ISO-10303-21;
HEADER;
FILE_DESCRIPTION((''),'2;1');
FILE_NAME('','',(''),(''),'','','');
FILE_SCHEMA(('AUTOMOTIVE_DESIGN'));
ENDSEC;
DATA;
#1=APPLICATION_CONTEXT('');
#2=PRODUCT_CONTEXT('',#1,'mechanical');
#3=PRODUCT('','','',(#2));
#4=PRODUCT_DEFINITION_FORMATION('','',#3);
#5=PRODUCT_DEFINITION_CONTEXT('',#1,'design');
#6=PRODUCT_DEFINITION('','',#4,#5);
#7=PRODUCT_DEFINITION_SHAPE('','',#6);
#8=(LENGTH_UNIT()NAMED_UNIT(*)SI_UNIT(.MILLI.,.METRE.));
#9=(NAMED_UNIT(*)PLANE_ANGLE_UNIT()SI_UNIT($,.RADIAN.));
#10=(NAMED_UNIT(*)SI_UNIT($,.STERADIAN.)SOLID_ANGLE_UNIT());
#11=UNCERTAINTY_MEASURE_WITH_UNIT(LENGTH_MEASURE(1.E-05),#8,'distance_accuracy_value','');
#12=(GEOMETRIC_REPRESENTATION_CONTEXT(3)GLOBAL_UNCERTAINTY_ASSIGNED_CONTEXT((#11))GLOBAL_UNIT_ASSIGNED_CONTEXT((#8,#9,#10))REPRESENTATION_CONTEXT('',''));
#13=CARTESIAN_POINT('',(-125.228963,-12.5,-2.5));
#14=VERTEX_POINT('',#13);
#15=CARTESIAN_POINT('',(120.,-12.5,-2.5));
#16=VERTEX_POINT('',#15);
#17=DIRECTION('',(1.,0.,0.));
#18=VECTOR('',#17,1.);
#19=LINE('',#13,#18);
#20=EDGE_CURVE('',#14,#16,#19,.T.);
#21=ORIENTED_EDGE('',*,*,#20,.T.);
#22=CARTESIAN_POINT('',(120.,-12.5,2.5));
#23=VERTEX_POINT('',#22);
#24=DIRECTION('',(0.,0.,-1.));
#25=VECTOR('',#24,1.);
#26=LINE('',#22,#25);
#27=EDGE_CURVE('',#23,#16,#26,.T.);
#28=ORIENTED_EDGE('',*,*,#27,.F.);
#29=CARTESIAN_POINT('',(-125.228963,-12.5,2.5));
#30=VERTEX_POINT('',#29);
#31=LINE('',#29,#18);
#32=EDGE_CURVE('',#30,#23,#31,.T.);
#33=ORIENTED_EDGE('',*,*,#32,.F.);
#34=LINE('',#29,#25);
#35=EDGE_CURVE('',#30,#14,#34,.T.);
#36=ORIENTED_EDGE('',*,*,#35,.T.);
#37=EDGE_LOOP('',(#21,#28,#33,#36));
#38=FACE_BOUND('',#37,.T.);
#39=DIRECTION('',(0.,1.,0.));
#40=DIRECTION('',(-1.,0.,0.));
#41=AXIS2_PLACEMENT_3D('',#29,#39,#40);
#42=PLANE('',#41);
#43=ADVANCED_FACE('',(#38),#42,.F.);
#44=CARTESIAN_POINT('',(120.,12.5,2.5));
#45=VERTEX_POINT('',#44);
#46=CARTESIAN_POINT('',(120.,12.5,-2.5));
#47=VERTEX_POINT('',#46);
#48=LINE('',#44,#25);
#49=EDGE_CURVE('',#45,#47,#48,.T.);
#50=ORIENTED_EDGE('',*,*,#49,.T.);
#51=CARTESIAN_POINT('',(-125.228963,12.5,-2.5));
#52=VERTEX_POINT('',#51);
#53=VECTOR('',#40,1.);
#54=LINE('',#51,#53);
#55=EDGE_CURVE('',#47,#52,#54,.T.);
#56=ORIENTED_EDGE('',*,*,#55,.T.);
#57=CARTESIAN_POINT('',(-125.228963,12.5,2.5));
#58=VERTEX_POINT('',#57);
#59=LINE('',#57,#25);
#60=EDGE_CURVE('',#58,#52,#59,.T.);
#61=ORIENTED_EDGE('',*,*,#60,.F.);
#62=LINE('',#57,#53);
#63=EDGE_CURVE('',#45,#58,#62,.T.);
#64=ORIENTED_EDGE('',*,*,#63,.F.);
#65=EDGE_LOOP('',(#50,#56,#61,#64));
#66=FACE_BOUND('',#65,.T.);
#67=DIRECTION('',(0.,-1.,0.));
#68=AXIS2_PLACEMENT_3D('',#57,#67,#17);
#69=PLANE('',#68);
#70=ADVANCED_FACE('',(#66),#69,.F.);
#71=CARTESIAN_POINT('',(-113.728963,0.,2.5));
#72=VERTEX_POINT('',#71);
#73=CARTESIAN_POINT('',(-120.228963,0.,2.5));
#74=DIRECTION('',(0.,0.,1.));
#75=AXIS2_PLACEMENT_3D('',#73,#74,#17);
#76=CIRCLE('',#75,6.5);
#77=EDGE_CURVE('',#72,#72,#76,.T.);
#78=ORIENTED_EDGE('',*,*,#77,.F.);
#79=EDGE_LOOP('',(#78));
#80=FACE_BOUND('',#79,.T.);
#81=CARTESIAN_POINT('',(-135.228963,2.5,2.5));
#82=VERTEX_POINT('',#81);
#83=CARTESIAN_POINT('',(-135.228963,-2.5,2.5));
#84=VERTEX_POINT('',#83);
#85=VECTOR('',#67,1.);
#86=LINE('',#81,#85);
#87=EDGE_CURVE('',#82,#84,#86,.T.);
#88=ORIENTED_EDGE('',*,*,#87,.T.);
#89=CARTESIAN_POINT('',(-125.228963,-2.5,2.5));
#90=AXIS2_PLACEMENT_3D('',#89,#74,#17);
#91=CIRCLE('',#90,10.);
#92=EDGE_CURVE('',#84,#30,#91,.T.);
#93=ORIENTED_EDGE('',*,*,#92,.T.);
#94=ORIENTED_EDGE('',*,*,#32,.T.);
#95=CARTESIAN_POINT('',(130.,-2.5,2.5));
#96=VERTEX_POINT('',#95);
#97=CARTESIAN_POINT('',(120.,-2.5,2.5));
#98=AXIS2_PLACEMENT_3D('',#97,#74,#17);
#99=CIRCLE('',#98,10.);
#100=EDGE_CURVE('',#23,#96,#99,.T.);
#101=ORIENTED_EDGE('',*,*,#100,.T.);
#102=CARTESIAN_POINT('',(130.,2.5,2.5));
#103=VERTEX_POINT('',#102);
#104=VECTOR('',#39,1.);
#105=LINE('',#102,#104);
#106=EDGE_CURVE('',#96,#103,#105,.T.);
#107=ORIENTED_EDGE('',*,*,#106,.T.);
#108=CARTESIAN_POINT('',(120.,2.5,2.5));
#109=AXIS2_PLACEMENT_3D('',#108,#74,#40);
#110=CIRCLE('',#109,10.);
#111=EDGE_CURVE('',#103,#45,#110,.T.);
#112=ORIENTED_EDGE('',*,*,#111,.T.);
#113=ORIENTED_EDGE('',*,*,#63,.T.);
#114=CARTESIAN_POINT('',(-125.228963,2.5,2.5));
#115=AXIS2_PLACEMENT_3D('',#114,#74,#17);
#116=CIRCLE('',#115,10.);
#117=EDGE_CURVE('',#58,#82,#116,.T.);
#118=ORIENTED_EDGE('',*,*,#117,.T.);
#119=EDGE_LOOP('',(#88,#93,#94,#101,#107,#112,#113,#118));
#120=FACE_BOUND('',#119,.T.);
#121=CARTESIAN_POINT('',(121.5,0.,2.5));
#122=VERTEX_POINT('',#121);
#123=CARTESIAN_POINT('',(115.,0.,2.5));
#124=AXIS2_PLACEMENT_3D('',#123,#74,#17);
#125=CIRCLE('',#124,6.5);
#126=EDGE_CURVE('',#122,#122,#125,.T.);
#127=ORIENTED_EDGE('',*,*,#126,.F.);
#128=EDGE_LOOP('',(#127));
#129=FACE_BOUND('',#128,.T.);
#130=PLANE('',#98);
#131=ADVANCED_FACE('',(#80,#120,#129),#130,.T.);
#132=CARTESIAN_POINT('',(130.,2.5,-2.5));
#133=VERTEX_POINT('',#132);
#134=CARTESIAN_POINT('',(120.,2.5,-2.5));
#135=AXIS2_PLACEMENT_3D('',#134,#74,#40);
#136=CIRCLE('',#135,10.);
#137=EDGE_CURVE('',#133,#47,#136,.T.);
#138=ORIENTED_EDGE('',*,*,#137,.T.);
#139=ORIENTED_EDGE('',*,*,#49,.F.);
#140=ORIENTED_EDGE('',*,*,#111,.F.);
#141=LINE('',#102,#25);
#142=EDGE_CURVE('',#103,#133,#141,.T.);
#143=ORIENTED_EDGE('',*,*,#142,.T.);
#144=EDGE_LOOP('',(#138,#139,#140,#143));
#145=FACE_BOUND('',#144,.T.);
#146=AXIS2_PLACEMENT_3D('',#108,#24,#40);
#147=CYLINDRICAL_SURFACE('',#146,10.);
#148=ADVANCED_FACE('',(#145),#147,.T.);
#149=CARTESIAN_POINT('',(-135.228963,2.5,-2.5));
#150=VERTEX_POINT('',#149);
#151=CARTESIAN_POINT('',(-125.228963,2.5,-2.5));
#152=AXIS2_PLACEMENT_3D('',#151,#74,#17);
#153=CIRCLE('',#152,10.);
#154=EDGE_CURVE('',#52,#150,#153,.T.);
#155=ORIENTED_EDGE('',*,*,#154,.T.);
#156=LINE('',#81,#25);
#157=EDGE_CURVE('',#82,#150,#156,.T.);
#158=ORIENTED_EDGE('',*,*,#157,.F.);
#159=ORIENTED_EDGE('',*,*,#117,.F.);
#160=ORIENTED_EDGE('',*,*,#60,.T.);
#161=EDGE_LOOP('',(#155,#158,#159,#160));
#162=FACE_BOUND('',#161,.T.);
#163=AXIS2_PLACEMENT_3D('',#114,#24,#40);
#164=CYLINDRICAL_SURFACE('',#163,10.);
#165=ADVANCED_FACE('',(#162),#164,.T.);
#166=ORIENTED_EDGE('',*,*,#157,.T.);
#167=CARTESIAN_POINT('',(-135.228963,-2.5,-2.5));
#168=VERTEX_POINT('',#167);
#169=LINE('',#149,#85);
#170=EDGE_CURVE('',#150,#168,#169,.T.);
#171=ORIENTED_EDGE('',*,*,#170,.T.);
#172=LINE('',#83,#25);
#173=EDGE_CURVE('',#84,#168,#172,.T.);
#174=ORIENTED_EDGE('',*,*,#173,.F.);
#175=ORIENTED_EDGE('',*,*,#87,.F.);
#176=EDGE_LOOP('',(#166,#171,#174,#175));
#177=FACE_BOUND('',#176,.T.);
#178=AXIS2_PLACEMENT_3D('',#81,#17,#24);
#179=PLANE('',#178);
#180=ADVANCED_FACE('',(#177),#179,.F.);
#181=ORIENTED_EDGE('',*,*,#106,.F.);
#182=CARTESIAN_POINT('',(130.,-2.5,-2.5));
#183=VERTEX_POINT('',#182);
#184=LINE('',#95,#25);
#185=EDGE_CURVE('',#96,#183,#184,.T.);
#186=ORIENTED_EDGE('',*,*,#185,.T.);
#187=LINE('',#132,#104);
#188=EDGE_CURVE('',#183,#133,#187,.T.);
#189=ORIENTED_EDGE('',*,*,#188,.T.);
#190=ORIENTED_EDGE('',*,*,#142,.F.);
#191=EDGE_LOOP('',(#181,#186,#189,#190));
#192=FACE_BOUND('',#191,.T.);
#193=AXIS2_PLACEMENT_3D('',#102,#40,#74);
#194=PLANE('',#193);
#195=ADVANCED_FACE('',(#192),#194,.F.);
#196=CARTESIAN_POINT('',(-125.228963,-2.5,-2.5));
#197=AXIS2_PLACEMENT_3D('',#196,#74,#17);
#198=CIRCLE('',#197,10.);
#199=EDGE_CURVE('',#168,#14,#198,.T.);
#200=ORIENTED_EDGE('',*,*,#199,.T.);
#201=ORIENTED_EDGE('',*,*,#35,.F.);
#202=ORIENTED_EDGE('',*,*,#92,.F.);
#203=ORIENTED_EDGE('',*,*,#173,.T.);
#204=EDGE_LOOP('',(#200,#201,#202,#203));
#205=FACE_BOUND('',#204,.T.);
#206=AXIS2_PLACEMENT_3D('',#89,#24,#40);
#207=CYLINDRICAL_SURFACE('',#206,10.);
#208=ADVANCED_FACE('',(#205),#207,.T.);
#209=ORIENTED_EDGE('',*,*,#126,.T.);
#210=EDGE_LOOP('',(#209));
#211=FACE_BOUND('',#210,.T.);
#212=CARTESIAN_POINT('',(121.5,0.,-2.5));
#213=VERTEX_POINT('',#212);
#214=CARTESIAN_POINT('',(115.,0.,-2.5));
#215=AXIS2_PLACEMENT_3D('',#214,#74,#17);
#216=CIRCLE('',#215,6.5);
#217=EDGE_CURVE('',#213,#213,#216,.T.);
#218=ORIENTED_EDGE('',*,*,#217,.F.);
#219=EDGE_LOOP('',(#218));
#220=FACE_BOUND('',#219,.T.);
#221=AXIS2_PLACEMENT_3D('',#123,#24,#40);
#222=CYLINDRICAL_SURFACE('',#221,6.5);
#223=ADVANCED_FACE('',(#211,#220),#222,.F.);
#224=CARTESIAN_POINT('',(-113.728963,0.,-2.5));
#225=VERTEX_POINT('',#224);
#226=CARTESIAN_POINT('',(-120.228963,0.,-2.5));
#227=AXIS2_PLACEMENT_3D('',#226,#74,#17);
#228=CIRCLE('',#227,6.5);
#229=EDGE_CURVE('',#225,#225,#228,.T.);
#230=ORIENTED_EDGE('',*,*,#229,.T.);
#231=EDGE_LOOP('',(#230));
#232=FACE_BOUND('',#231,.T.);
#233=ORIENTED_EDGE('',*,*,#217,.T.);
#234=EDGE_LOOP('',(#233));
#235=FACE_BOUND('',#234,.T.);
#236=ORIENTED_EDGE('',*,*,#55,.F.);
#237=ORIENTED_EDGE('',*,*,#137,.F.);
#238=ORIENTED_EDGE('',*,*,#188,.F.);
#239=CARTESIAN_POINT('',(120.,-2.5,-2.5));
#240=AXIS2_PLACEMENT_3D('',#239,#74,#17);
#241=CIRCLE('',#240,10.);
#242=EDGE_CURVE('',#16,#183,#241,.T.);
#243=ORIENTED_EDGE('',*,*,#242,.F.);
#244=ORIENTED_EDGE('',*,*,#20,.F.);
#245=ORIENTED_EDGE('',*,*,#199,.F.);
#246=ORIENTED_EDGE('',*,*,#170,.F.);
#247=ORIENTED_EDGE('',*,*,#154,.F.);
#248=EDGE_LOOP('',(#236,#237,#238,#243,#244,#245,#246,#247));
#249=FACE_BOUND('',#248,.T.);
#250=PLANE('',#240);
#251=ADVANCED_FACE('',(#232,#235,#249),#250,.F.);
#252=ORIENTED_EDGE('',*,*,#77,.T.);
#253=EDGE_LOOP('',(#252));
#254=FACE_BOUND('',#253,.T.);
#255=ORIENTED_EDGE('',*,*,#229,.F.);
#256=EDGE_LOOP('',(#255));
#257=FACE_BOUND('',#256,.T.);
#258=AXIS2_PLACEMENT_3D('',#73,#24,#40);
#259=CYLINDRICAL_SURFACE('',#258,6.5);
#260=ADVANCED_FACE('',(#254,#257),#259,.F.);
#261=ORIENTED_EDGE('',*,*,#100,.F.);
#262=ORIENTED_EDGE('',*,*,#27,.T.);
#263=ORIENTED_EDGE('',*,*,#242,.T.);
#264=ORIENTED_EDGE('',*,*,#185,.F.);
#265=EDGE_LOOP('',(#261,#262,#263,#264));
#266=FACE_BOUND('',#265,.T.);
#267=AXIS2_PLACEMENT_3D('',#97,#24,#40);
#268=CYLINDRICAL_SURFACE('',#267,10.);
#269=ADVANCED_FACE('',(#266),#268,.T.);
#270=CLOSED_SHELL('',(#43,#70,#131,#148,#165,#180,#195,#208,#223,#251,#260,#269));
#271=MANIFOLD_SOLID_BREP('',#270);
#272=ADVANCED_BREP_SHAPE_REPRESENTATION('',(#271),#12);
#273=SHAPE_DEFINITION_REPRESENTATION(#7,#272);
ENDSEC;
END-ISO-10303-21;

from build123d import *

# Parameters (mm, degrees)
SKETCH1_R           = 6.5
BOSS_EXTRUDE1_DEPTH = 2.5


with BuildPart() as part:
    # Sketch1 → Boss-Extrude1 (new, symmetric)
    with BuildSketch(Plane.XY):
        with BuildLine():
            Line((-125.22896295, 12.5), (120, 12.5))
            ThreePointArc((120, 12.5), (127.071067812, 9.571067812), (130, 2.5))
            Line((130, 2.5), (130, -2.5))
            ThreePointArc((130, -2.5), (127.071067812, -9.571067812), (120, -12.5))
            Line((120, -12.5), (-125.22896295, -12.5))
            ThreePointArc((-125.22896295, -12.5), (-132.300030762, -9.571067812), (-135.22896295, -2.5))
            Line((-135.22896295, -2.5), (-135.22896295, 2.5))
            ThreePointArc((-135.22896295, 2.5), (-132.300030762, 9.571067812), (-125.22896295, 12.5))
        make_face()
        with Locations((-120.22896295, 0)):
            Circle(SKETCH1_R, mode=Mode.SUBTRACT)
        with Locations((115, 0)):
            Circle(SKETCH1_R, mode=Mode.SUBTRACT)
    extrude(amount=BOSS_EXTRUDE1_DEPTH, both=True)


solid = part.part
